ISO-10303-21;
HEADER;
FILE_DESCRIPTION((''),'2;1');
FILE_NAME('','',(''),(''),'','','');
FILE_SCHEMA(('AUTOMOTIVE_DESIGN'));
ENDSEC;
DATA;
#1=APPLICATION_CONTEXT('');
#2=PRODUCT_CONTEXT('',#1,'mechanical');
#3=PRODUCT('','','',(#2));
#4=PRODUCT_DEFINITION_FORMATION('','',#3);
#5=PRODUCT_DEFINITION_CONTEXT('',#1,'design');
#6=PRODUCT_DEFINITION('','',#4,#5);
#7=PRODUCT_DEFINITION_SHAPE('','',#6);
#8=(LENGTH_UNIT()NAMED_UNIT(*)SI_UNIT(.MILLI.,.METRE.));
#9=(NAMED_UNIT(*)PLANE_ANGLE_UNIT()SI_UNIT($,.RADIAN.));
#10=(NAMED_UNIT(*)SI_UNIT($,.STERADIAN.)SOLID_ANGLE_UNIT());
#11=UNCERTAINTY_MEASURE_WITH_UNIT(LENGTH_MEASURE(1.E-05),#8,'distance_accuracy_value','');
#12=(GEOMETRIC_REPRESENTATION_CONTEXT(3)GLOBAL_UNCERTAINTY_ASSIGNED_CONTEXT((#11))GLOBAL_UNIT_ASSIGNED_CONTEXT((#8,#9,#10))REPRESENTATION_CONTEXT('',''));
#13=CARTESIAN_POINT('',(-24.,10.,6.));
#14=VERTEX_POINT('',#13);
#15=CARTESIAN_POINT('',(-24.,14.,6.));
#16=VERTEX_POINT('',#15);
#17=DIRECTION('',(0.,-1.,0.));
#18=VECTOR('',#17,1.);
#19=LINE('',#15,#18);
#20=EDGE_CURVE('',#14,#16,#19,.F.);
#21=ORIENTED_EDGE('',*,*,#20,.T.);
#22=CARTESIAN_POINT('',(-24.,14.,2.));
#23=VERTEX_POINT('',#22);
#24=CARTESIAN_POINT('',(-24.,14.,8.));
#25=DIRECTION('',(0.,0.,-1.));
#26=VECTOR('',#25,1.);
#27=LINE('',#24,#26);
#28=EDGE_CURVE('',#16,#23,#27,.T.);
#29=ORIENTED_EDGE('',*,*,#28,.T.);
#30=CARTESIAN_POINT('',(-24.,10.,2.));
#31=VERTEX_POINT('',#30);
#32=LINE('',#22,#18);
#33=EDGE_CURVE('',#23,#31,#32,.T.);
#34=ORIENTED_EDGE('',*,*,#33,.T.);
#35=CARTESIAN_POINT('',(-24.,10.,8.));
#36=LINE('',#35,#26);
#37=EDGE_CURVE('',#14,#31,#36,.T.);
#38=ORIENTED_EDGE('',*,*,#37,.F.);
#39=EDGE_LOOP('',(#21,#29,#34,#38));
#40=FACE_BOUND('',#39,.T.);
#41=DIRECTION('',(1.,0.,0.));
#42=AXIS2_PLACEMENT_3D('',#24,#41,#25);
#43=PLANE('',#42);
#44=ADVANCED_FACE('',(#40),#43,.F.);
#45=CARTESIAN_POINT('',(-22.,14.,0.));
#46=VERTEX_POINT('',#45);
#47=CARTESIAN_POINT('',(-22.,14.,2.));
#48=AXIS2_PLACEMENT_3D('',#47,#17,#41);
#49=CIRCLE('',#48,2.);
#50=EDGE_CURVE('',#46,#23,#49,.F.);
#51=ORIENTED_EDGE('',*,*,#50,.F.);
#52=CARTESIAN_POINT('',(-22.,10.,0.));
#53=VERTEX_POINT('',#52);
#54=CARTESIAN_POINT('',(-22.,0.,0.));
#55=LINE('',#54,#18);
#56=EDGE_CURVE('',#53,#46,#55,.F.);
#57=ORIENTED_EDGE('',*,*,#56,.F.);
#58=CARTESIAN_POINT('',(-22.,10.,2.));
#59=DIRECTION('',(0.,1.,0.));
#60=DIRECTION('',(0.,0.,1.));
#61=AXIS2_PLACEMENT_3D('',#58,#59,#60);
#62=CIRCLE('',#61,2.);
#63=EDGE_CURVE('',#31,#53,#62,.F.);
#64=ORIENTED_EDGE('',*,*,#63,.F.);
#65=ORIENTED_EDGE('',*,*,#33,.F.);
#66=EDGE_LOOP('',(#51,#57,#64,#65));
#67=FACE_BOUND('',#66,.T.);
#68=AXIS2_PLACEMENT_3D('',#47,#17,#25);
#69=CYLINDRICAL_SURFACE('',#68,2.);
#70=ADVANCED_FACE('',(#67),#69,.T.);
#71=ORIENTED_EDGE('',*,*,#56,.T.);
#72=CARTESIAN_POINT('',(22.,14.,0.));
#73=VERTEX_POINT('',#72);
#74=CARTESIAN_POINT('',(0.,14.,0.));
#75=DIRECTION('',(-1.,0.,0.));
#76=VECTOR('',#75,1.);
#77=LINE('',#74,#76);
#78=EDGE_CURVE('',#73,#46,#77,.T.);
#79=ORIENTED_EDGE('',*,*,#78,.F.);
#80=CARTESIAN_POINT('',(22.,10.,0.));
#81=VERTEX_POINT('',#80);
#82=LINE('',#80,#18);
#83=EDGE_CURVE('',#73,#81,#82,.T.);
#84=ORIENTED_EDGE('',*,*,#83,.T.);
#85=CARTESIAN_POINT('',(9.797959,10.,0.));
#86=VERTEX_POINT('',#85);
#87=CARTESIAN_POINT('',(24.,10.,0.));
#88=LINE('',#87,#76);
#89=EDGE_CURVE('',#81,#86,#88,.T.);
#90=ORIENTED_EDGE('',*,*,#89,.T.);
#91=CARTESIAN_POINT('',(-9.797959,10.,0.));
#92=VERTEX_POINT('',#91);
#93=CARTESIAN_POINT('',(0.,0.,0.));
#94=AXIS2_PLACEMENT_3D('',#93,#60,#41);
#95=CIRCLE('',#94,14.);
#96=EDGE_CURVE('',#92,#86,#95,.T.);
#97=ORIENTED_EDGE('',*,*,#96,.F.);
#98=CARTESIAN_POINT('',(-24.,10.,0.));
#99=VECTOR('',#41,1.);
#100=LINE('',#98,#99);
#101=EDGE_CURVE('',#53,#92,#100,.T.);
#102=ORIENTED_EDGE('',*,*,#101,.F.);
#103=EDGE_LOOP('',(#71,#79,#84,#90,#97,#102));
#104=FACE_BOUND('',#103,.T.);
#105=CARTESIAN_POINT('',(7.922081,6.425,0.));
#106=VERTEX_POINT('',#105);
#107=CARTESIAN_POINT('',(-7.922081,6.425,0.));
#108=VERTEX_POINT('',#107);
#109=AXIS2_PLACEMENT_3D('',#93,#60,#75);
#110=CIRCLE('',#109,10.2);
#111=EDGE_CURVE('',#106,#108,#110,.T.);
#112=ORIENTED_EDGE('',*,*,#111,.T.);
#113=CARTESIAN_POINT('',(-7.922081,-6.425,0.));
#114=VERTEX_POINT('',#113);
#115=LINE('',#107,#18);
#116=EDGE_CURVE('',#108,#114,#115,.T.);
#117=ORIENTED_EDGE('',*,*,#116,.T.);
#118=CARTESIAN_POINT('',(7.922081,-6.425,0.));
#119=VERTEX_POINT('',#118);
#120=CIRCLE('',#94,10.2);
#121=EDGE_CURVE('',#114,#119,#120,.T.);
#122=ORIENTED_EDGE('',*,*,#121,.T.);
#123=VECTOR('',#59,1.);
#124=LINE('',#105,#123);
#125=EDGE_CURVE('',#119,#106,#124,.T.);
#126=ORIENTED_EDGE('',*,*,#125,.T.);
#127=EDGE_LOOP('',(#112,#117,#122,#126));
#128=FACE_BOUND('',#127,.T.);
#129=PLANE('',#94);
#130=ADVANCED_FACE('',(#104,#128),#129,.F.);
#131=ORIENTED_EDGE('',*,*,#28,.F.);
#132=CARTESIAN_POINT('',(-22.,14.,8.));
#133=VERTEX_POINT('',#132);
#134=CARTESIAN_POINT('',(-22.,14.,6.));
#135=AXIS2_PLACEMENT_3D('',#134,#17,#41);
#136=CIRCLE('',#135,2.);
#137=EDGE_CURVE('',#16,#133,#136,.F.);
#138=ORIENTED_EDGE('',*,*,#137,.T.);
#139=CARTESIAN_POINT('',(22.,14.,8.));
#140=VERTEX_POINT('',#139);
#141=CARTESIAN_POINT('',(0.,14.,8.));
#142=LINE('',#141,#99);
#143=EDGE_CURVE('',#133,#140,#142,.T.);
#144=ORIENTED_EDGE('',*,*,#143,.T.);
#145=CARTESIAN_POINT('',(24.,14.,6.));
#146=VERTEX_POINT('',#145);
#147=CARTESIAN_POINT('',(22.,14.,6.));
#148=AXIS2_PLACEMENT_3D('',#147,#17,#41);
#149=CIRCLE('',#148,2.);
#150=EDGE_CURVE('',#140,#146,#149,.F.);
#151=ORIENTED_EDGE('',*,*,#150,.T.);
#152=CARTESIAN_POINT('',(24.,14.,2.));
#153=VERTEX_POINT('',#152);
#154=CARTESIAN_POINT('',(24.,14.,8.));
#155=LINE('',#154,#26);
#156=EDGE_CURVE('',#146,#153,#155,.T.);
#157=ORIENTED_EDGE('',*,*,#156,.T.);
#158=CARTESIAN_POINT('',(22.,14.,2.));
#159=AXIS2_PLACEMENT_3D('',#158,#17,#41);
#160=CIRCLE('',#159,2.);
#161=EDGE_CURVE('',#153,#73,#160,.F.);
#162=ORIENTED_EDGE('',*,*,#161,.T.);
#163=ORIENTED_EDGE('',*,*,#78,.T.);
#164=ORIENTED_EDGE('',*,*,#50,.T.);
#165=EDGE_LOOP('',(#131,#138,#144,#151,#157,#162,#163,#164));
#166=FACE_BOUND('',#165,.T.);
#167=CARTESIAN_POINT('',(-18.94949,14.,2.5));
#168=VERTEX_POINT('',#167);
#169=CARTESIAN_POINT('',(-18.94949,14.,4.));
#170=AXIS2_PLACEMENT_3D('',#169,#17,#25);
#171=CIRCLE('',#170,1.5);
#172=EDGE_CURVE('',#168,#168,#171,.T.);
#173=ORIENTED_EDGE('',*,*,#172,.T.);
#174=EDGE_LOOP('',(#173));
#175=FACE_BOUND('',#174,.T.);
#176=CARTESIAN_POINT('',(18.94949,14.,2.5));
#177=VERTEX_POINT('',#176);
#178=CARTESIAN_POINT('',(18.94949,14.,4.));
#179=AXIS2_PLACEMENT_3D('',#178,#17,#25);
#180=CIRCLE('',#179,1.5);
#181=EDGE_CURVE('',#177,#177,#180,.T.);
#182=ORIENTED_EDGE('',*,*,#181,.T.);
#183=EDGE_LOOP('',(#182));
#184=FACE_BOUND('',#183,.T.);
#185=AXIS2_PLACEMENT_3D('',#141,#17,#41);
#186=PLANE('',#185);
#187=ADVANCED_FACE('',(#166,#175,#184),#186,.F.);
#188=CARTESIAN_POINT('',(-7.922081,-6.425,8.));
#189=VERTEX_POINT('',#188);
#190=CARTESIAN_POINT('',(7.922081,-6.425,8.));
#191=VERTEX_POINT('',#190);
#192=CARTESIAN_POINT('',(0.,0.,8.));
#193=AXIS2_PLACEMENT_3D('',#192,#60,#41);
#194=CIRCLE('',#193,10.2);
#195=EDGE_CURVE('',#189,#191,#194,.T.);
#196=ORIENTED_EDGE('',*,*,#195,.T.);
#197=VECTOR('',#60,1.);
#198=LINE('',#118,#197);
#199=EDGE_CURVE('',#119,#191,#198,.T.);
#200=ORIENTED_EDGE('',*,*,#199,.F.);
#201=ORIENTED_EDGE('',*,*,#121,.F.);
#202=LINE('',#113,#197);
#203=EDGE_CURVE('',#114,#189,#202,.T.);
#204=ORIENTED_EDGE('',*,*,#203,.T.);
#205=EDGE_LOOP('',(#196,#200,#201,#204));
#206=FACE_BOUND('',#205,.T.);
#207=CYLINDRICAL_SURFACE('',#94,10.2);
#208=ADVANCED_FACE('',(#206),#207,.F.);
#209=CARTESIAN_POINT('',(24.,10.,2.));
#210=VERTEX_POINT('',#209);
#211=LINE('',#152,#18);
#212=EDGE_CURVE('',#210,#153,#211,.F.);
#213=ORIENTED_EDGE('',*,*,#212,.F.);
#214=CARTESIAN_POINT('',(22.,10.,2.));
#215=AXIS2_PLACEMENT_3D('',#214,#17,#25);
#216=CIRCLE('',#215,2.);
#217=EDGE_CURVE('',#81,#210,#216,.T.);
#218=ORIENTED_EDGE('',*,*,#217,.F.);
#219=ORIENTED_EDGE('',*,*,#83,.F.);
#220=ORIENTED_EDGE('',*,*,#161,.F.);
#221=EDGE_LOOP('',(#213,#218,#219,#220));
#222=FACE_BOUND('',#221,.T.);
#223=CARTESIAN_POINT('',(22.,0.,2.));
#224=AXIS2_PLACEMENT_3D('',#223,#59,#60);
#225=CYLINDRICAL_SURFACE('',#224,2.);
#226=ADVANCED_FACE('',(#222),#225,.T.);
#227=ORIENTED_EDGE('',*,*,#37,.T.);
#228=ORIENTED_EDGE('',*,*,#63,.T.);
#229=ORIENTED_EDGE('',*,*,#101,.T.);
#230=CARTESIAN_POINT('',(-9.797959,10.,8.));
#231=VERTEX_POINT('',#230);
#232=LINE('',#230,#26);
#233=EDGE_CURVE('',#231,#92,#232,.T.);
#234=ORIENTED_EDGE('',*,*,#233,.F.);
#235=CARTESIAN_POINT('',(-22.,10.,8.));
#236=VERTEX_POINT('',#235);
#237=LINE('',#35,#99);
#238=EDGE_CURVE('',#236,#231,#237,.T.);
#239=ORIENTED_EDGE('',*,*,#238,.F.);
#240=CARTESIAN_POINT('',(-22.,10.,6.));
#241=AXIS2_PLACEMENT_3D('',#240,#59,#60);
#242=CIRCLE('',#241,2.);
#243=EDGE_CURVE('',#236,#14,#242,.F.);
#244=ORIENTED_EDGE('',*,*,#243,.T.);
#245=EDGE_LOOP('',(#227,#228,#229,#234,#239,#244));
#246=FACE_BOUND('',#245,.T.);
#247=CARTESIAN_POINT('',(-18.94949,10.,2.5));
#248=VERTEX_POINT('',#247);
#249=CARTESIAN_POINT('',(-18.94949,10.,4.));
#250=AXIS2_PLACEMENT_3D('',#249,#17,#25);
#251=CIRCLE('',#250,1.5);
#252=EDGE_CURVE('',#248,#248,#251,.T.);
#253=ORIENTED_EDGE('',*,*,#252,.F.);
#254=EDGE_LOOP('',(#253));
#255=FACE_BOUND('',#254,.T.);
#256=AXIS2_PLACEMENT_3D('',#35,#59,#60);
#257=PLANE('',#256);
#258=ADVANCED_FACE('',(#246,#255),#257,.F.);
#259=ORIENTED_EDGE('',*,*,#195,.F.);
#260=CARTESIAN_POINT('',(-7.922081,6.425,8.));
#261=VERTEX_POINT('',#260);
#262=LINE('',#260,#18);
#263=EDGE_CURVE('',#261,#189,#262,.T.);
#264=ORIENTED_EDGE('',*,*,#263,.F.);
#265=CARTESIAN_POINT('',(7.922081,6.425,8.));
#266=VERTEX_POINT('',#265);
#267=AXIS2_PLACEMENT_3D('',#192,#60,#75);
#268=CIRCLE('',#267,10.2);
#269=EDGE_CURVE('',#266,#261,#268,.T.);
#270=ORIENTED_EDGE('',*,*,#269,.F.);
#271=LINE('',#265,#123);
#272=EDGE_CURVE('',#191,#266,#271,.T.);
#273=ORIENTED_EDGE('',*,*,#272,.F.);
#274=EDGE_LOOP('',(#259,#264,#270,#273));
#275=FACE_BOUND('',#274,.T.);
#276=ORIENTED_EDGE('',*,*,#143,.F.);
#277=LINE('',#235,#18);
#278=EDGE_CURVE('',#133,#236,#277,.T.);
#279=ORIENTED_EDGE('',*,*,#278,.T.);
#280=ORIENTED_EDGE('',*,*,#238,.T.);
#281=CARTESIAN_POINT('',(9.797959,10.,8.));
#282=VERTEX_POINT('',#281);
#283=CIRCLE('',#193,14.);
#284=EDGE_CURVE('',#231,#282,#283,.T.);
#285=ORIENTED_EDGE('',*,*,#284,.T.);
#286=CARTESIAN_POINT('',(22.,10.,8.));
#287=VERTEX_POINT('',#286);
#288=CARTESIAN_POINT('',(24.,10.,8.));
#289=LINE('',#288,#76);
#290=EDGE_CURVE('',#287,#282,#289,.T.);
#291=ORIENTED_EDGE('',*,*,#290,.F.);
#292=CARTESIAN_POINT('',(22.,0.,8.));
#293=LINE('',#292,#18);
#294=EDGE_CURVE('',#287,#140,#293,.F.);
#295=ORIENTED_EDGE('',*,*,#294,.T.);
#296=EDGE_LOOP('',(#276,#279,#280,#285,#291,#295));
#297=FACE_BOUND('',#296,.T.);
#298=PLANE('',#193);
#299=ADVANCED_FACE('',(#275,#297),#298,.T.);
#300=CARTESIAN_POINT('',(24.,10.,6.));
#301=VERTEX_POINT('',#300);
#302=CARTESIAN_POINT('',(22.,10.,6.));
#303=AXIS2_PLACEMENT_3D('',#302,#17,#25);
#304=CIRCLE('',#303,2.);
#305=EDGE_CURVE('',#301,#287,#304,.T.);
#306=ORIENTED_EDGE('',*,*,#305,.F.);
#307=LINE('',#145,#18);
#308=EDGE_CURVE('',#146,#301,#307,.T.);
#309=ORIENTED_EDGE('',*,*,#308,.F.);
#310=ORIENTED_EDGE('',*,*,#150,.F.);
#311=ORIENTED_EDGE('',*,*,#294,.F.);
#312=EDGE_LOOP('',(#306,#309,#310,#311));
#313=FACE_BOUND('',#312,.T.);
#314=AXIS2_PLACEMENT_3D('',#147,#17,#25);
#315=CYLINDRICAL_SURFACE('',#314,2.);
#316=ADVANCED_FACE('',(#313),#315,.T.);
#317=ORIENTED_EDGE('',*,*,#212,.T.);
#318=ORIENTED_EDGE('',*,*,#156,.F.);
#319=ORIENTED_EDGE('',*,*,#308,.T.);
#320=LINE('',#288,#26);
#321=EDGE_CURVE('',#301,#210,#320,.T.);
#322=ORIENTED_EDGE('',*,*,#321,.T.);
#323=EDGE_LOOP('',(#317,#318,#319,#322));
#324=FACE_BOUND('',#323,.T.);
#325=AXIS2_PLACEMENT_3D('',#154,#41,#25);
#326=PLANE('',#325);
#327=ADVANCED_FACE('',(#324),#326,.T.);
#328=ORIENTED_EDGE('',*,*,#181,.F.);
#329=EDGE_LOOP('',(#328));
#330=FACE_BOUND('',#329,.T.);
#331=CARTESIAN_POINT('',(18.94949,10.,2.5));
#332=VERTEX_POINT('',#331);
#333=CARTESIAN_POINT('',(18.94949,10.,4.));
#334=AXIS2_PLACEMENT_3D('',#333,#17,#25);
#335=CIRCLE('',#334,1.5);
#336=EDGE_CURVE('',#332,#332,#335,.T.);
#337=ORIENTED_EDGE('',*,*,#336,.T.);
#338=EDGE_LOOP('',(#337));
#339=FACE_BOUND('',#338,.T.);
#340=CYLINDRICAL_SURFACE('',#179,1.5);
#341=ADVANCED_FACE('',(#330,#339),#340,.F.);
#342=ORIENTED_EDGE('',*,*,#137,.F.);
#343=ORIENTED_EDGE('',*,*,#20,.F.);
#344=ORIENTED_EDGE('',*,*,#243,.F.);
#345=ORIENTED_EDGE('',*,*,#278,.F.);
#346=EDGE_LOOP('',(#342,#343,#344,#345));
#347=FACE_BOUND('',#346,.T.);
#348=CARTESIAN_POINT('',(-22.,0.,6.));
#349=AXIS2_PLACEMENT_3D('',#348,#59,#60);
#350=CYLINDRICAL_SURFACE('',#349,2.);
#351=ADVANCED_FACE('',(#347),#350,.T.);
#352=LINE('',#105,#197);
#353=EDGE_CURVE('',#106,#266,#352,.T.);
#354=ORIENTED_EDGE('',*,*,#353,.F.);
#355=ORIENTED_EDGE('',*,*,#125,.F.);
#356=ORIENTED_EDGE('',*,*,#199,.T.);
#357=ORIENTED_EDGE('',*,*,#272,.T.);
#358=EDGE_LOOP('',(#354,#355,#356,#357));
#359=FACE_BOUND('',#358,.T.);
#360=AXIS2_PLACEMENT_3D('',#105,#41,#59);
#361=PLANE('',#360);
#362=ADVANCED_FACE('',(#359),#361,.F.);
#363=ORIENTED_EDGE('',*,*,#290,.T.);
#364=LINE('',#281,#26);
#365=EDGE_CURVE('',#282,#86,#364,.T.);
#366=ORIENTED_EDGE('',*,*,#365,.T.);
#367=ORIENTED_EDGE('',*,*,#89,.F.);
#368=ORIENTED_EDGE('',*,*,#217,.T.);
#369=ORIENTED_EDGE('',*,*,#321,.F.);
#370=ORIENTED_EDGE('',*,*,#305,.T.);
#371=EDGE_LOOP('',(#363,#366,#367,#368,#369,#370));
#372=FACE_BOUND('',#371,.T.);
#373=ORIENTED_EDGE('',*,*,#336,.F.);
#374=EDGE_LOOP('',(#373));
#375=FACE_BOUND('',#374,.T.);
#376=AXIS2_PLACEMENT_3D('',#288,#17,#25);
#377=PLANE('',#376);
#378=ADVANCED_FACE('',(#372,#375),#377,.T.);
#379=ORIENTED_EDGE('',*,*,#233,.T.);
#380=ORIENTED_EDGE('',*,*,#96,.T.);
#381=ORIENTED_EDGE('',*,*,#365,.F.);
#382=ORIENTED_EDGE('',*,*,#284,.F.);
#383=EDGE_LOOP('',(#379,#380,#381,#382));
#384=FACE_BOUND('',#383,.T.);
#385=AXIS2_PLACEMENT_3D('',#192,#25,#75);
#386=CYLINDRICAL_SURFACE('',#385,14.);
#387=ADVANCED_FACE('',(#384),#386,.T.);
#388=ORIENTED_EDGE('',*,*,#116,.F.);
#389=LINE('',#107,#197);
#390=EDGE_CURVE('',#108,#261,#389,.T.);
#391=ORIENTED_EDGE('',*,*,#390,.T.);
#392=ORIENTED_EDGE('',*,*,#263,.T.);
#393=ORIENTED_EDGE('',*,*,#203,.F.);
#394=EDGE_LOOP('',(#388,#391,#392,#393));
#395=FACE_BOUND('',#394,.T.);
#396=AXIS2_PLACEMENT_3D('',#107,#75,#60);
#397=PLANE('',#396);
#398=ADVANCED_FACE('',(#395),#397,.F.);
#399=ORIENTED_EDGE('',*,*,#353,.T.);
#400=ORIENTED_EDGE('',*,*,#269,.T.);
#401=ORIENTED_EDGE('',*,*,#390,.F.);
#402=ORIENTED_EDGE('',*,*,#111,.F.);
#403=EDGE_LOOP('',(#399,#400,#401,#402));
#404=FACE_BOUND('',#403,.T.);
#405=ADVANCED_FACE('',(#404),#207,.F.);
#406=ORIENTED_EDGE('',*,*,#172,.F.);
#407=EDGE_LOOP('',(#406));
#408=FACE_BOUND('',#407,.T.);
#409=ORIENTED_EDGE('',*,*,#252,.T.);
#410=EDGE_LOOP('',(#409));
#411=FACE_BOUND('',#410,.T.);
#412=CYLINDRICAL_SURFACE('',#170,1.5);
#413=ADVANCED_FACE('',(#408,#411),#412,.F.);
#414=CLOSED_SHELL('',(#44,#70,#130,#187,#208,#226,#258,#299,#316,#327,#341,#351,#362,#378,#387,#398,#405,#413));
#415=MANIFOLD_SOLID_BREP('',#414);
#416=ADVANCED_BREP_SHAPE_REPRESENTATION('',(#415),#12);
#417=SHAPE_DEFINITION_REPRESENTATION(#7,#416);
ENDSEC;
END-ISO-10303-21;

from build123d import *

# Parameters (mm, degrees)
SALIENTE_EXTRUIR1_DEPTH = 8
CORTAR_EXTRUIR1_DEPTH   = 29.91366459
REDONDEO1_R             = 2
CROQUIS3_R              = 1.5
CORTAR_EXTRUIR2_DEPTH   = 35.871191548


with BuildPart() as part:
    # Croquis1 → Saliente-Extruir1 (new body)
    with BuildSketch(Plane.XY):
        with BuildLine():
            Line((0, 14), (-24, 14))
            Line((-24, 14), (-24, 10))
            Line((-24, 10), (-9.797958971, 10))
            ThreePointArc((-9.797958971, 10), (0, -14), (9.797958971, 10))
            Line((9.797958971, 10), (24, 10))
            Line((24, 10), (24, 14))
            Line((24, 14), (0, 14))
        make_face()
    extrude(amount=SALIENTE_EXTRUIR1_DEPTH)

    # Croquis2 → Cortar-Extruir1 (cut, through all)
    with BuildSketch(Plane.XY.offset(8)):
        with BuildLine():
            Line((-7.922081482, 6.425), (-7.922081482, -6.425))
            ThreePointArc((-7.922081482, -6.425), (0, -10.2), (7.922081482, -6.425))
            Line((7.922081482, -6.425), (7.922081482, 6.425))
            ThreePointArc((7.922081482, 6.425), (0, 10.2), (-7.922081482, 6.425))
        make_face()
    extrude(amount=-CORTAR_EXTRUIR1_DEPTH, mode=Mode.SUBTRACT)

    # Redondeo1
    redondeo1_edges = [part.edges().sort_by_distance(p)[0] for p in [
        (-24, 12, 8),
        (24, 12, 8),
        (-24, 12, 0),
        (24, 12, 0),
    ]]
    fillet(redondeo1_edges, radius=REDONDEO1_R)

    # Croquis3 → Cortar-Extruir2 (cut, through all)
    with BuildSketch(Plane(origin=(0, 10, 0), x_dir=(-1, 0, 0), z_dir=(0, -1, 0))):
        with Locations(Location((18.949489743, -4, 0), (0, 0, 90))):
            Circle(CROQUIS3_R)
        with Locations(Location((-18.949489743, -4, 0), (0, 0, 90))):
            Circle(CROQUIS3_R)
    extrude(amount=-CORTAR_EXTRUIR2_DEPTH, mode=Mode.SUBTRACT)


solid = part.part
